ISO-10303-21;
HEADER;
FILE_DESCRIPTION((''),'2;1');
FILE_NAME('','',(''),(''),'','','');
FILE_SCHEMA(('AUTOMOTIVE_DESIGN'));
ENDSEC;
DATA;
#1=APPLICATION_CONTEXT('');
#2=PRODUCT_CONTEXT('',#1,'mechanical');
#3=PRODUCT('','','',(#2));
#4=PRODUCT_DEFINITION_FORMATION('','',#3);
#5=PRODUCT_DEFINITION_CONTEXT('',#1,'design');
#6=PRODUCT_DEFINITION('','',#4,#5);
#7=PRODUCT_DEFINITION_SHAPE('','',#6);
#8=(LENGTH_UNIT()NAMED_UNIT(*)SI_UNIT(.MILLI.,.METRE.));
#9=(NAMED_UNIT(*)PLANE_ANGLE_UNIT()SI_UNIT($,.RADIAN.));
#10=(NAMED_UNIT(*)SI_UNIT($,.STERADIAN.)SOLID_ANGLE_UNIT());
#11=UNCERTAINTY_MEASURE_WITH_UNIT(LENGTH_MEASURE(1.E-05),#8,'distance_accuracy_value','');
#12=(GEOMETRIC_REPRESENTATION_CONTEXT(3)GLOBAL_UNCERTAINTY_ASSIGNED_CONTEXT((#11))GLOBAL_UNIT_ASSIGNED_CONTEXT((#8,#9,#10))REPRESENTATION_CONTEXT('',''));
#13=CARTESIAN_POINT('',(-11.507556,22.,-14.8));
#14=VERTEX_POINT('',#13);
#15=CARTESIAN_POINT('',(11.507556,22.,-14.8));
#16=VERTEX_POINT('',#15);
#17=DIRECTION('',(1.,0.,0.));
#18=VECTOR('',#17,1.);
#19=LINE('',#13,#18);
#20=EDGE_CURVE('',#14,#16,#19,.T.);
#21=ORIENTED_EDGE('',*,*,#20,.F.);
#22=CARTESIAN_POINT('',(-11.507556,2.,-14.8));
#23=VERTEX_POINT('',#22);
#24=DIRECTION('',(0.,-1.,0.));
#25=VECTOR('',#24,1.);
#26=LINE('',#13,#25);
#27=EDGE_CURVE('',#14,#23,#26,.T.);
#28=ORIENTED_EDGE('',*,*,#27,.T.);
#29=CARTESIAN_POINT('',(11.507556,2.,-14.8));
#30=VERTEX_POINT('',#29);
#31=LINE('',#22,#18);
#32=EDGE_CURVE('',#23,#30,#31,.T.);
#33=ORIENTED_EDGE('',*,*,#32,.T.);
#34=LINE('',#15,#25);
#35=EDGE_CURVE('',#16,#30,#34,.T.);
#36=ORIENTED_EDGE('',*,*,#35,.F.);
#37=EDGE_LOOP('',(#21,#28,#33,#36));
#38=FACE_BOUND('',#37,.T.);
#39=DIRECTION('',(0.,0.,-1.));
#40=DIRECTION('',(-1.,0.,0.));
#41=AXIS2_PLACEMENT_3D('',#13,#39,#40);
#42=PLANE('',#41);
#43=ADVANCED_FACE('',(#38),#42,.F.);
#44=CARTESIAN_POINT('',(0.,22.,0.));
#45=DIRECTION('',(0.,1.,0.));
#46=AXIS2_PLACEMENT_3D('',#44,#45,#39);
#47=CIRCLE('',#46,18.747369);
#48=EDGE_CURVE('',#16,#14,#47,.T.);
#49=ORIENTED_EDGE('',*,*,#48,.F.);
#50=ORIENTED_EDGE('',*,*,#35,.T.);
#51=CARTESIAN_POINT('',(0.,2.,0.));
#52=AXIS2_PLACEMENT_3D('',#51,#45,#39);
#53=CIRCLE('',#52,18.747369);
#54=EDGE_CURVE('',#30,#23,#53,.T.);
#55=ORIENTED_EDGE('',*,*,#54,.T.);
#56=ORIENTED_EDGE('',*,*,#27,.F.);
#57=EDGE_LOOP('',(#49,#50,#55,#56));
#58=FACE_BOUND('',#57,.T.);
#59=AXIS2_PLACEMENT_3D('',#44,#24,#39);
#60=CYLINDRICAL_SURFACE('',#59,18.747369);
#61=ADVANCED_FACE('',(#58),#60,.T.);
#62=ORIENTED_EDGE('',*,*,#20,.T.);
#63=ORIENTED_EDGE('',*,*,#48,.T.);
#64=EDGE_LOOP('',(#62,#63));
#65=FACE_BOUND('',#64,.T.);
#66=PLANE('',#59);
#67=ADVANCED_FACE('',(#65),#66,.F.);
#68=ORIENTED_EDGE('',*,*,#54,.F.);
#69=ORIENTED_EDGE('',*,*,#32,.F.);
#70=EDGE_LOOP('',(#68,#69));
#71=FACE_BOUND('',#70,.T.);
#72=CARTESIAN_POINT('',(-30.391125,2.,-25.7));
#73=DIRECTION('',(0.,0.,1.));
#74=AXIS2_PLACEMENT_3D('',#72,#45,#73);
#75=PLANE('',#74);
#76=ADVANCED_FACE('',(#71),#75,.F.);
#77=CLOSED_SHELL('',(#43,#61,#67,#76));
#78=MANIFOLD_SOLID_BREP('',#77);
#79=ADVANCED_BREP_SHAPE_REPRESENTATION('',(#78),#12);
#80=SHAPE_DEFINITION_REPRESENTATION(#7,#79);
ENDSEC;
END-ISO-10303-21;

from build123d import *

# Parameters (mm, degrees)
SKETCH1_R               = 25.7
MAIN_CYLINDER_DEPTH     = 100
MAIN_START              = -98
MAIN_CUT_DOWN_DEPTH     = 98
BOSS_EXTRUDE1_DEPTH     = 20
CUT_EXTRUDE1_DEPTH      = 43.485056196
CUT_EXTRUDE1_DEPTH_BACK = 43.485056196
SKETCH9_W               = 59.759495022
SKETCH9_H               = 2


with BuildPart() as part:
    # Sketch1 → Main Cylinder (new body)
    with BuildSketch(Plane(origin=(0, 0, 0), x_dir=(1, 0, 0), z_dir=(0, 1, 0))):
        with Locations(Location((0, 0, 0), (0, 0, 270))):
            Circle(SKETCH1_R)
    extrude(amount=MAIN_CYLINDER_DEPTH)

    # Sketch4 → Main cut down (cut)
    with BuildSketch(Plane(origin=(0, 100, 0), x_dir=(1, 0, 0), z_dir=(0, 1, 0)).offset(MAIN_START)):
        with BuildLine():
            Line((-25.7, 0), (0, 0))
            Line((0, 0), (25.7, 0))
            ThreePointArc((25.7, 0), (0, 25.7), (-25.7, 0))
        make_face()
        with BuildLine():
            Line((25.7, 0), (0, 0))
            Line((0, 0), (-25.7, 0))
            ThreePointArc((-25.7, 0), (0, -25.7), (25.7, 0))
        make_face()
    extrude(amount=MAIN_CUT_DOWN_DEPTH, mode=Mode.SUBTRACT)

    # Sketch8 → Boss-Extrude1 (add)
    with BuildSketch(Plane(origin=(0, 2, 0), x_dir=(1, 0, 0), z_dir=(0, 1, 0))):
        with BuildLine():
            Line((-11.5075562, 14.8), (11.5075562, 14.8))
            ThreePointArc((11.5075562, 14.8), (0, 18.747369141), (-11.5075562, 14.8))
        make_face()
    extrude(amount=BOSS_EXTRUDE1_DEPTH)

    # Sketch9 → Cut-Extrude1 (cut, two sides: drawn at the far end of the back side and taken through both)
    with BuildSketch(Plane.XY.offset(-CUT_EXTRUDE1_DEPTH_BACK)):
        with Locations((-0.511377988, 1)):
            Rectangle(SKETCH9_W, SKETCH9_H)
    extrude(amount=CUT_EXTRUDE1_DEPTH + CUT_EXTRUDE1_DEPTH_BACK, mode=Mode.SUBTRACT)


solid = part.part
